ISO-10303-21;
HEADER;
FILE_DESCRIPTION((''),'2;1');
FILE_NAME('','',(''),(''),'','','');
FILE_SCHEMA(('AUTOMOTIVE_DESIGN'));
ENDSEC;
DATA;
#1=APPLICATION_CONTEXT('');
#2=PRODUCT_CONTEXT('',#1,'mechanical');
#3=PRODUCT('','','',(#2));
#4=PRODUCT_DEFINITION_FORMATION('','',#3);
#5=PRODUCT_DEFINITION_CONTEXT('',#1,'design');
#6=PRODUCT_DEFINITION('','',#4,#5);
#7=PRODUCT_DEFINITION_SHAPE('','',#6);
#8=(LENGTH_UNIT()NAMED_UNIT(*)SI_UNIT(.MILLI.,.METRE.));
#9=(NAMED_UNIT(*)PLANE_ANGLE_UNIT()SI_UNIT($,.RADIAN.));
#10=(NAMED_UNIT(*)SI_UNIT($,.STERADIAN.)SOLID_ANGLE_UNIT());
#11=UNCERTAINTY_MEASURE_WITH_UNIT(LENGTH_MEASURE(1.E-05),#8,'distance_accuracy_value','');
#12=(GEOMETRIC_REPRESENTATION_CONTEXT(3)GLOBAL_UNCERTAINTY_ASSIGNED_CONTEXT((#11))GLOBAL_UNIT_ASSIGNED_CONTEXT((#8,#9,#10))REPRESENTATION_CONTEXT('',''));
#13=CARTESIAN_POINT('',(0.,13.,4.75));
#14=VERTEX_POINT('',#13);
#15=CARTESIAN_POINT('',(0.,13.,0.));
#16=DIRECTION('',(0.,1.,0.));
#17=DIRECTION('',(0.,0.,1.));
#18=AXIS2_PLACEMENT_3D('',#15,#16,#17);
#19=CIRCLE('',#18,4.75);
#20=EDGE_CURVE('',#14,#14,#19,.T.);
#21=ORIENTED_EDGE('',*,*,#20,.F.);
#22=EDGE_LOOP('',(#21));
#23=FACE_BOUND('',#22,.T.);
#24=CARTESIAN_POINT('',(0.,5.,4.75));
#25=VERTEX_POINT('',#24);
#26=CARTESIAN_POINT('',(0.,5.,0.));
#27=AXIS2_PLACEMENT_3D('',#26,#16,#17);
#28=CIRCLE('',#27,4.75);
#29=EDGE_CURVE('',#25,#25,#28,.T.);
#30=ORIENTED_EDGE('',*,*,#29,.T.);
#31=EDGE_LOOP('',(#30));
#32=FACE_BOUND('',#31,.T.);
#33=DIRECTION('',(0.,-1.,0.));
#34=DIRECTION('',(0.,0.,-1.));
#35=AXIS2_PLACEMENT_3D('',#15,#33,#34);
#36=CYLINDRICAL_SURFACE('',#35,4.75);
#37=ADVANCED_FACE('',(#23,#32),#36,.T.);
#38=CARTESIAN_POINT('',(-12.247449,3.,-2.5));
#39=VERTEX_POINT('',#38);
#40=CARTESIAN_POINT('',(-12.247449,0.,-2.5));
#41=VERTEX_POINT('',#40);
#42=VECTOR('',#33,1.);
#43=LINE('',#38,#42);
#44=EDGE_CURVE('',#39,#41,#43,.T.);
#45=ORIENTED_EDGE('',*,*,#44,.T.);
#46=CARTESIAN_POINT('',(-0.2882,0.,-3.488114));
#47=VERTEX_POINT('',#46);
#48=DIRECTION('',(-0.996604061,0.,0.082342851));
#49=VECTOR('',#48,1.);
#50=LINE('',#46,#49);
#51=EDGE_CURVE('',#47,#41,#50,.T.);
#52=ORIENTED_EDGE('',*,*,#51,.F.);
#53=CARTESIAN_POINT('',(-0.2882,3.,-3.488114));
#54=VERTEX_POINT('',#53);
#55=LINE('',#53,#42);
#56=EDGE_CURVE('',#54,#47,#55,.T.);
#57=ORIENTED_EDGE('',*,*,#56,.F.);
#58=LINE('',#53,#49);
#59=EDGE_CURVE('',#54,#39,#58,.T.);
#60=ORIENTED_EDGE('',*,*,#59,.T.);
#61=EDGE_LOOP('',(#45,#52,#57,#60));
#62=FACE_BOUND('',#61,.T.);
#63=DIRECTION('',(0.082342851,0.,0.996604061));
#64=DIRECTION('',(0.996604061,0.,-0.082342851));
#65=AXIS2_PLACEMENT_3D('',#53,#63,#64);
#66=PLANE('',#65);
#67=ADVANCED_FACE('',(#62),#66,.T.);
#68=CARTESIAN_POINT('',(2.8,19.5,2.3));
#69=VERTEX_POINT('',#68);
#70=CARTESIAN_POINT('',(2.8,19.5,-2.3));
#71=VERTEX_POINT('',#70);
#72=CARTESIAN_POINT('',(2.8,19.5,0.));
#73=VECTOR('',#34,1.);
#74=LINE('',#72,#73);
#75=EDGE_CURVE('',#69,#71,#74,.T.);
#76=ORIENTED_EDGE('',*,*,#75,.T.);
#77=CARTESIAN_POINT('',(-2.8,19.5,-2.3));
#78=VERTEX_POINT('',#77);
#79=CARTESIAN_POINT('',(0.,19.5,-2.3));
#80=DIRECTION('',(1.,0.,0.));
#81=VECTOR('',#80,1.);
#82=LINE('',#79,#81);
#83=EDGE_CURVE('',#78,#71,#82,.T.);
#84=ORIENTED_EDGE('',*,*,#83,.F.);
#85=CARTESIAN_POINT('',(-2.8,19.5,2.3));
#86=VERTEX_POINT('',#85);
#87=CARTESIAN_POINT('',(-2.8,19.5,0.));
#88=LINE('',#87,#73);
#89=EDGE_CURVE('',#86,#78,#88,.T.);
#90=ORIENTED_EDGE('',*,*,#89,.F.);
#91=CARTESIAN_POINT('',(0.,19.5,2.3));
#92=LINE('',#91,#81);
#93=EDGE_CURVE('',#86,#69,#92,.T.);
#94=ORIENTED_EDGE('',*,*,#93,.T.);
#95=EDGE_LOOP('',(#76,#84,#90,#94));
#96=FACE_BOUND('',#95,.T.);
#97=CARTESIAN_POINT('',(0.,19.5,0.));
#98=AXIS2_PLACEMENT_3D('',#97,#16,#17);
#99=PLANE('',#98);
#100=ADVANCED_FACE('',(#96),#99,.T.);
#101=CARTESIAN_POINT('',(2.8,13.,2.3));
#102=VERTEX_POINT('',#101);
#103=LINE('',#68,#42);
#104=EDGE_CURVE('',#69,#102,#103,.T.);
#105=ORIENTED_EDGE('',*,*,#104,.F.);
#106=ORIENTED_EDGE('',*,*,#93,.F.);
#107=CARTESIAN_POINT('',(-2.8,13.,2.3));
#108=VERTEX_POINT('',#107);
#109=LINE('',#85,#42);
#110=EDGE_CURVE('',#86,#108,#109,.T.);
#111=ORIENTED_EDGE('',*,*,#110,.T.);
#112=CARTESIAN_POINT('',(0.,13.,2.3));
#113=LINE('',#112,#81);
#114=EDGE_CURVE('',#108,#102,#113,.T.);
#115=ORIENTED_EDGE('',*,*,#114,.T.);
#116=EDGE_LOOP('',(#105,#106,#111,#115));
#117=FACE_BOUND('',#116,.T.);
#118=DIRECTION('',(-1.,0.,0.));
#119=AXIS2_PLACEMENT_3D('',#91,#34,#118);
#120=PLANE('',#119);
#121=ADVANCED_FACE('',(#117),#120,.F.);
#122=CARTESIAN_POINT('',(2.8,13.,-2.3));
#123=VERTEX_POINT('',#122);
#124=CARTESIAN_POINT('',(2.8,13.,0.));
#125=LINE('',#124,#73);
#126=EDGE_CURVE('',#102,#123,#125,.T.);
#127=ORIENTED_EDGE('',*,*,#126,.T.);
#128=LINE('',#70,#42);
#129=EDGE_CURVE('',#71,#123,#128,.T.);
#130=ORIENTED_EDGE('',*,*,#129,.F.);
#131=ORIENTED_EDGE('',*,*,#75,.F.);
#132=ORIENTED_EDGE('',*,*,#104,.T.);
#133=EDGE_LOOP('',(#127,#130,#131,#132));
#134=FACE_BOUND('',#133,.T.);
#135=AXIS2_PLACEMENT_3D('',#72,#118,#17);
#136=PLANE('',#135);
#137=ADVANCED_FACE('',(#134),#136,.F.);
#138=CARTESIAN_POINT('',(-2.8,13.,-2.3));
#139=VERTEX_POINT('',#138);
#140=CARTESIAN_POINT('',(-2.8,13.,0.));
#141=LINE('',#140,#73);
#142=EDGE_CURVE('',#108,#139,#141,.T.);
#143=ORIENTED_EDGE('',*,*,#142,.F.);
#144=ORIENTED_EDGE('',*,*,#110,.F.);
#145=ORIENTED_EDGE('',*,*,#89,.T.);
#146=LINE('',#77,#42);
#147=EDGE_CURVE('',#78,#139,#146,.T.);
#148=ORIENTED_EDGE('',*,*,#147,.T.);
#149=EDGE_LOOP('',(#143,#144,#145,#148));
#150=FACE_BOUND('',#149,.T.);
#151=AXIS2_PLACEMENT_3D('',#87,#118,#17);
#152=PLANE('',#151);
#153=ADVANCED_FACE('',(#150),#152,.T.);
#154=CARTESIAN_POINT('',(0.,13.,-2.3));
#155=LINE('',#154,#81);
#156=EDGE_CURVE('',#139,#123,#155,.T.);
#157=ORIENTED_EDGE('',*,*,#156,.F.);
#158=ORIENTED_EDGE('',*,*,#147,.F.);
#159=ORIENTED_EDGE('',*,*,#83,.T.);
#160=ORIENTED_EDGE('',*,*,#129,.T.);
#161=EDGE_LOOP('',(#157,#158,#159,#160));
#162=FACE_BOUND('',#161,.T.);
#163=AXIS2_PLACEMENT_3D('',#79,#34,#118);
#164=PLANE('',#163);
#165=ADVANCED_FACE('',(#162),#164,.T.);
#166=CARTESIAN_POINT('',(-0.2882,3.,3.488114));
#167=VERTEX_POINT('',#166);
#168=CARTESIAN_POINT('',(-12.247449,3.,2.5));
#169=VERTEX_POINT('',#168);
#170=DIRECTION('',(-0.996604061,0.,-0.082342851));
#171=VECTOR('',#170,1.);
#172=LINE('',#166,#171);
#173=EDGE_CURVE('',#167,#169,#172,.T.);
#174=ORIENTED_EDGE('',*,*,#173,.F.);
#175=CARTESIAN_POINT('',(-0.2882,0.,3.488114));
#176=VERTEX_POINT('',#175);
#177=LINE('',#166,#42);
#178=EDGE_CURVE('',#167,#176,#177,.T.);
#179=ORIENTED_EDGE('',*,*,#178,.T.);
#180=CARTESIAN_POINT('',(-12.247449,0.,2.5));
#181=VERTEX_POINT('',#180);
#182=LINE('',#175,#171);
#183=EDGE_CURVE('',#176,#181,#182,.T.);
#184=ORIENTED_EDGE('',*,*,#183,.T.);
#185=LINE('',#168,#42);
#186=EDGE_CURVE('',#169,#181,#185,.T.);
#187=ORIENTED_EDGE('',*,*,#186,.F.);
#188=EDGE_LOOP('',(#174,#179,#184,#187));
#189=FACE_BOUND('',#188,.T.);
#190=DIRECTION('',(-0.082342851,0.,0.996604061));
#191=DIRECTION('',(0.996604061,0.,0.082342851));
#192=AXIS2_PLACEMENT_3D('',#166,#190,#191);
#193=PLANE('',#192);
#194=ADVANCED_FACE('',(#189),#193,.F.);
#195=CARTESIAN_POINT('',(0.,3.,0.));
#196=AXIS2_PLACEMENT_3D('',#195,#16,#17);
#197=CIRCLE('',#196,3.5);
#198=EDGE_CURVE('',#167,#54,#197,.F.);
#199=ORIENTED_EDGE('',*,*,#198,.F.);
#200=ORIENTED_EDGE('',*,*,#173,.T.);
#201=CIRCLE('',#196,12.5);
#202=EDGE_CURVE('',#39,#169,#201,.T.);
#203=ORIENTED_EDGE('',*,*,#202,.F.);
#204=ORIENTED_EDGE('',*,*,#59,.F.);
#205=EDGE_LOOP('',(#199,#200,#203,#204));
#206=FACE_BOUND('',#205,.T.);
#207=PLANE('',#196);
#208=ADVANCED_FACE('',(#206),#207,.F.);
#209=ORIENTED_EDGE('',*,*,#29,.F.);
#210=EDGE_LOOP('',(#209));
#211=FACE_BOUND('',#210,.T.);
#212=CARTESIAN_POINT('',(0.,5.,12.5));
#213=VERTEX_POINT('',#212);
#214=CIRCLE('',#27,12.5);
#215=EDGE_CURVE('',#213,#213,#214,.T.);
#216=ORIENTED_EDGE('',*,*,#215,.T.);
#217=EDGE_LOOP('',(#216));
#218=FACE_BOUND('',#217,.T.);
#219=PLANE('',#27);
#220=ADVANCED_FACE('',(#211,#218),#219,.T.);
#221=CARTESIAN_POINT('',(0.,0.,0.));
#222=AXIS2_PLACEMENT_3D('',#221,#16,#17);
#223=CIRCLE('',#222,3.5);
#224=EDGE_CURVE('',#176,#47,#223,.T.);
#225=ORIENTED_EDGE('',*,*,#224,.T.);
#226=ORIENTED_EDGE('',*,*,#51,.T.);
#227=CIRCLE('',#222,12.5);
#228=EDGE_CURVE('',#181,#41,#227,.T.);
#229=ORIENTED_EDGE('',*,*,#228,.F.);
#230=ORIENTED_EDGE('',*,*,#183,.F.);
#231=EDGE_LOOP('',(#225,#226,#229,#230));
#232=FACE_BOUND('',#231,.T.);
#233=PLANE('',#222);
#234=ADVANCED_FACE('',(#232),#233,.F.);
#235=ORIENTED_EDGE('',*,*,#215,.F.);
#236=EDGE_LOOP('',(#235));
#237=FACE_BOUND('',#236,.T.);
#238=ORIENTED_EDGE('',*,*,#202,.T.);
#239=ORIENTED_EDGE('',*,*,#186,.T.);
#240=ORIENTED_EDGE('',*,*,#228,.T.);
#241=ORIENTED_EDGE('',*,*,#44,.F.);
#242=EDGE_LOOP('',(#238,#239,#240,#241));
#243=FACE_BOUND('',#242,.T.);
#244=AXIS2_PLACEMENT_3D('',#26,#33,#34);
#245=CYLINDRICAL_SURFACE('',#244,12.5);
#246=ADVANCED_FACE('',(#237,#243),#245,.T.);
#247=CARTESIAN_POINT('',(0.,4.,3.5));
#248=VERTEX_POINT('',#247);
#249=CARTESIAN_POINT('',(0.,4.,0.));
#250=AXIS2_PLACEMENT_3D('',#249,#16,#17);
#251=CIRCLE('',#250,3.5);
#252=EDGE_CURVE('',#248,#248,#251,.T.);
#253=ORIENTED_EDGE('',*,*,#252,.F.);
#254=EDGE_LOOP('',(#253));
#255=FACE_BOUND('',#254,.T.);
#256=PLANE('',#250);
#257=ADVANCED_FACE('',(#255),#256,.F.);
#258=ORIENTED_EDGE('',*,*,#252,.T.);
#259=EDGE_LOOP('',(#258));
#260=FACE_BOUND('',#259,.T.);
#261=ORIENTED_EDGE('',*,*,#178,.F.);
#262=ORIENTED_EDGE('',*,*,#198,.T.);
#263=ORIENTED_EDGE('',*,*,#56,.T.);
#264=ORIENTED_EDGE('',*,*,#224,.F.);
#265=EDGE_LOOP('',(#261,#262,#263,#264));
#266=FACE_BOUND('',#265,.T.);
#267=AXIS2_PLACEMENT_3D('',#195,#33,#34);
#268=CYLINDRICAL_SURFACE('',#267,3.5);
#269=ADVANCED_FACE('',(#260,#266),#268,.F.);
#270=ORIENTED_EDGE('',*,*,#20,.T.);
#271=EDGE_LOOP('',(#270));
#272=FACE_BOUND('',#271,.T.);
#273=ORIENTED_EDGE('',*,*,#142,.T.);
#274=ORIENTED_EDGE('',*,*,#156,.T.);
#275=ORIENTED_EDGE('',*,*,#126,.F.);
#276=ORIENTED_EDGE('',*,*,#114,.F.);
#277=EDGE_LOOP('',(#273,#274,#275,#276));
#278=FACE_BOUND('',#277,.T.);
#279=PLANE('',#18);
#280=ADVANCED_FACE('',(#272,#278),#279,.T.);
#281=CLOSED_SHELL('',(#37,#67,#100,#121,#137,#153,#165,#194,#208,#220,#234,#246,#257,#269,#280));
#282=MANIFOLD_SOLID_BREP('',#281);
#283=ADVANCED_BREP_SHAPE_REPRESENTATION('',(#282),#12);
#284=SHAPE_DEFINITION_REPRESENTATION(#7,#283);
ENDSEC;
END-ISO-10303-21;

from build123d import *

# Parameters (mm, degrees)
SKETCH1_R           = 12.5
SKETCH1_R_2         = 4.75
BOSS_EXTRUDE1_DEPTH = 5
SKETCH1_3_R         = 4.75
SKETCH1_3_W         = 5.6
SKETCH1_3_H         = 4.6
BOSS_EXTRUDE2_DEPTH = 13
SKETCH1_4_W         = 5.6
SKETCH1_4_H         = 4.6
BOSS_EXTRUDE3_DEPTH = 19.5
CUT_EXTRUDE2_DEPTH  = 3
CUT_EXTRUDE3_DEPTH  = 4


with BuildPart() as part:
    # Sketch1 → Boss-Extrude1 (new body)
    with BuildSketch(Plane(origin=(0, 0, 0), x_dir=(1, 0, 0), z_dir=(0, 1, 0))):
        Circle(SKETCH1_R)
        Circle(SKETCH1_R_2, mode=Mode.SUBTRACT)
    extrude(amount=BOSS_EXTRUDE1_DEPTH)

    # Sketch1<3> → Boss-Extrude2 (add)
    with BuildSketch(Plane(origin=(0, 0, 0), x_dir=(1, 0, 0), z_dir=(0, 1, 0))):
        Circle(SKETCH1_3_R)
        Rectangle(SKETCH1_3_W, SKETCH1_3_H, mode=Mode.SUBTRACT)
    extrude(amount=BOSS_EXTRUDE2_DEPTH)

    # Sketch1<4> → Boss-Extrude3 (add)
    with BuildSketch(Plane(origin=(0, 0, 0), x_dir=(1, 0, 0), z_dir=(0, 1, 0))):
        Rectangle(SKETCH1_4_W, SKETCH1_4_H)
    extrude(amount=BOSS_EXTRUDE3_DEPTH)

    # Sketch2 → Cut-Extrude2 (cut)
    with BuildSketch(Plane(origin=(0, 0, 0), x_dir=(1, 0, 0), z_dir=(0, 1, 0))):
        with BuildLine():
            Line((-0.288199979, 3.488114214), (-12.247448714, 2.5))
            ThreePointArc((-12.247448714, 2.5), (-12.5, 0), (-12.247448714, -2.5))
            Line((-12.247448714, -2.5), (-0.288199979, -3.488114214))
            ThreePointArc((-0.288199979, -3.488114214), (3.5, 0), (-0.288199979, 3.488114214))
        make_face()
    extrude(amount=CUT_EXTRUDE2_DEPTH, mode=Mode.SUBTRACT)

    # Sketch2<3> → Cut-Extrude3 (cut)
    with BuildSketch(Plane(origin=(0, 0, 0), x_dir=(1, 0, 0), z_dir=(0, 1, 0))):
        with BuildLine():
            ThreePointArc((-0.288199979, 3.488114214), (-3.5, 0), (-0.288199979, -3.488114214))
            ThreePointArc((-0.288199979, -3.488114214), (2.370791015, -2.574752408), (3.5, 0))
            ThreePointArc((3.5, 0), (2.370791015, 2.574752408), (-0.288199979, 3.488114214))
        make_face()
    extrude(amount=CUT_EXTRUDE3_DEPTH, mode=Mode.SUBTRACT)


solid = part.part
